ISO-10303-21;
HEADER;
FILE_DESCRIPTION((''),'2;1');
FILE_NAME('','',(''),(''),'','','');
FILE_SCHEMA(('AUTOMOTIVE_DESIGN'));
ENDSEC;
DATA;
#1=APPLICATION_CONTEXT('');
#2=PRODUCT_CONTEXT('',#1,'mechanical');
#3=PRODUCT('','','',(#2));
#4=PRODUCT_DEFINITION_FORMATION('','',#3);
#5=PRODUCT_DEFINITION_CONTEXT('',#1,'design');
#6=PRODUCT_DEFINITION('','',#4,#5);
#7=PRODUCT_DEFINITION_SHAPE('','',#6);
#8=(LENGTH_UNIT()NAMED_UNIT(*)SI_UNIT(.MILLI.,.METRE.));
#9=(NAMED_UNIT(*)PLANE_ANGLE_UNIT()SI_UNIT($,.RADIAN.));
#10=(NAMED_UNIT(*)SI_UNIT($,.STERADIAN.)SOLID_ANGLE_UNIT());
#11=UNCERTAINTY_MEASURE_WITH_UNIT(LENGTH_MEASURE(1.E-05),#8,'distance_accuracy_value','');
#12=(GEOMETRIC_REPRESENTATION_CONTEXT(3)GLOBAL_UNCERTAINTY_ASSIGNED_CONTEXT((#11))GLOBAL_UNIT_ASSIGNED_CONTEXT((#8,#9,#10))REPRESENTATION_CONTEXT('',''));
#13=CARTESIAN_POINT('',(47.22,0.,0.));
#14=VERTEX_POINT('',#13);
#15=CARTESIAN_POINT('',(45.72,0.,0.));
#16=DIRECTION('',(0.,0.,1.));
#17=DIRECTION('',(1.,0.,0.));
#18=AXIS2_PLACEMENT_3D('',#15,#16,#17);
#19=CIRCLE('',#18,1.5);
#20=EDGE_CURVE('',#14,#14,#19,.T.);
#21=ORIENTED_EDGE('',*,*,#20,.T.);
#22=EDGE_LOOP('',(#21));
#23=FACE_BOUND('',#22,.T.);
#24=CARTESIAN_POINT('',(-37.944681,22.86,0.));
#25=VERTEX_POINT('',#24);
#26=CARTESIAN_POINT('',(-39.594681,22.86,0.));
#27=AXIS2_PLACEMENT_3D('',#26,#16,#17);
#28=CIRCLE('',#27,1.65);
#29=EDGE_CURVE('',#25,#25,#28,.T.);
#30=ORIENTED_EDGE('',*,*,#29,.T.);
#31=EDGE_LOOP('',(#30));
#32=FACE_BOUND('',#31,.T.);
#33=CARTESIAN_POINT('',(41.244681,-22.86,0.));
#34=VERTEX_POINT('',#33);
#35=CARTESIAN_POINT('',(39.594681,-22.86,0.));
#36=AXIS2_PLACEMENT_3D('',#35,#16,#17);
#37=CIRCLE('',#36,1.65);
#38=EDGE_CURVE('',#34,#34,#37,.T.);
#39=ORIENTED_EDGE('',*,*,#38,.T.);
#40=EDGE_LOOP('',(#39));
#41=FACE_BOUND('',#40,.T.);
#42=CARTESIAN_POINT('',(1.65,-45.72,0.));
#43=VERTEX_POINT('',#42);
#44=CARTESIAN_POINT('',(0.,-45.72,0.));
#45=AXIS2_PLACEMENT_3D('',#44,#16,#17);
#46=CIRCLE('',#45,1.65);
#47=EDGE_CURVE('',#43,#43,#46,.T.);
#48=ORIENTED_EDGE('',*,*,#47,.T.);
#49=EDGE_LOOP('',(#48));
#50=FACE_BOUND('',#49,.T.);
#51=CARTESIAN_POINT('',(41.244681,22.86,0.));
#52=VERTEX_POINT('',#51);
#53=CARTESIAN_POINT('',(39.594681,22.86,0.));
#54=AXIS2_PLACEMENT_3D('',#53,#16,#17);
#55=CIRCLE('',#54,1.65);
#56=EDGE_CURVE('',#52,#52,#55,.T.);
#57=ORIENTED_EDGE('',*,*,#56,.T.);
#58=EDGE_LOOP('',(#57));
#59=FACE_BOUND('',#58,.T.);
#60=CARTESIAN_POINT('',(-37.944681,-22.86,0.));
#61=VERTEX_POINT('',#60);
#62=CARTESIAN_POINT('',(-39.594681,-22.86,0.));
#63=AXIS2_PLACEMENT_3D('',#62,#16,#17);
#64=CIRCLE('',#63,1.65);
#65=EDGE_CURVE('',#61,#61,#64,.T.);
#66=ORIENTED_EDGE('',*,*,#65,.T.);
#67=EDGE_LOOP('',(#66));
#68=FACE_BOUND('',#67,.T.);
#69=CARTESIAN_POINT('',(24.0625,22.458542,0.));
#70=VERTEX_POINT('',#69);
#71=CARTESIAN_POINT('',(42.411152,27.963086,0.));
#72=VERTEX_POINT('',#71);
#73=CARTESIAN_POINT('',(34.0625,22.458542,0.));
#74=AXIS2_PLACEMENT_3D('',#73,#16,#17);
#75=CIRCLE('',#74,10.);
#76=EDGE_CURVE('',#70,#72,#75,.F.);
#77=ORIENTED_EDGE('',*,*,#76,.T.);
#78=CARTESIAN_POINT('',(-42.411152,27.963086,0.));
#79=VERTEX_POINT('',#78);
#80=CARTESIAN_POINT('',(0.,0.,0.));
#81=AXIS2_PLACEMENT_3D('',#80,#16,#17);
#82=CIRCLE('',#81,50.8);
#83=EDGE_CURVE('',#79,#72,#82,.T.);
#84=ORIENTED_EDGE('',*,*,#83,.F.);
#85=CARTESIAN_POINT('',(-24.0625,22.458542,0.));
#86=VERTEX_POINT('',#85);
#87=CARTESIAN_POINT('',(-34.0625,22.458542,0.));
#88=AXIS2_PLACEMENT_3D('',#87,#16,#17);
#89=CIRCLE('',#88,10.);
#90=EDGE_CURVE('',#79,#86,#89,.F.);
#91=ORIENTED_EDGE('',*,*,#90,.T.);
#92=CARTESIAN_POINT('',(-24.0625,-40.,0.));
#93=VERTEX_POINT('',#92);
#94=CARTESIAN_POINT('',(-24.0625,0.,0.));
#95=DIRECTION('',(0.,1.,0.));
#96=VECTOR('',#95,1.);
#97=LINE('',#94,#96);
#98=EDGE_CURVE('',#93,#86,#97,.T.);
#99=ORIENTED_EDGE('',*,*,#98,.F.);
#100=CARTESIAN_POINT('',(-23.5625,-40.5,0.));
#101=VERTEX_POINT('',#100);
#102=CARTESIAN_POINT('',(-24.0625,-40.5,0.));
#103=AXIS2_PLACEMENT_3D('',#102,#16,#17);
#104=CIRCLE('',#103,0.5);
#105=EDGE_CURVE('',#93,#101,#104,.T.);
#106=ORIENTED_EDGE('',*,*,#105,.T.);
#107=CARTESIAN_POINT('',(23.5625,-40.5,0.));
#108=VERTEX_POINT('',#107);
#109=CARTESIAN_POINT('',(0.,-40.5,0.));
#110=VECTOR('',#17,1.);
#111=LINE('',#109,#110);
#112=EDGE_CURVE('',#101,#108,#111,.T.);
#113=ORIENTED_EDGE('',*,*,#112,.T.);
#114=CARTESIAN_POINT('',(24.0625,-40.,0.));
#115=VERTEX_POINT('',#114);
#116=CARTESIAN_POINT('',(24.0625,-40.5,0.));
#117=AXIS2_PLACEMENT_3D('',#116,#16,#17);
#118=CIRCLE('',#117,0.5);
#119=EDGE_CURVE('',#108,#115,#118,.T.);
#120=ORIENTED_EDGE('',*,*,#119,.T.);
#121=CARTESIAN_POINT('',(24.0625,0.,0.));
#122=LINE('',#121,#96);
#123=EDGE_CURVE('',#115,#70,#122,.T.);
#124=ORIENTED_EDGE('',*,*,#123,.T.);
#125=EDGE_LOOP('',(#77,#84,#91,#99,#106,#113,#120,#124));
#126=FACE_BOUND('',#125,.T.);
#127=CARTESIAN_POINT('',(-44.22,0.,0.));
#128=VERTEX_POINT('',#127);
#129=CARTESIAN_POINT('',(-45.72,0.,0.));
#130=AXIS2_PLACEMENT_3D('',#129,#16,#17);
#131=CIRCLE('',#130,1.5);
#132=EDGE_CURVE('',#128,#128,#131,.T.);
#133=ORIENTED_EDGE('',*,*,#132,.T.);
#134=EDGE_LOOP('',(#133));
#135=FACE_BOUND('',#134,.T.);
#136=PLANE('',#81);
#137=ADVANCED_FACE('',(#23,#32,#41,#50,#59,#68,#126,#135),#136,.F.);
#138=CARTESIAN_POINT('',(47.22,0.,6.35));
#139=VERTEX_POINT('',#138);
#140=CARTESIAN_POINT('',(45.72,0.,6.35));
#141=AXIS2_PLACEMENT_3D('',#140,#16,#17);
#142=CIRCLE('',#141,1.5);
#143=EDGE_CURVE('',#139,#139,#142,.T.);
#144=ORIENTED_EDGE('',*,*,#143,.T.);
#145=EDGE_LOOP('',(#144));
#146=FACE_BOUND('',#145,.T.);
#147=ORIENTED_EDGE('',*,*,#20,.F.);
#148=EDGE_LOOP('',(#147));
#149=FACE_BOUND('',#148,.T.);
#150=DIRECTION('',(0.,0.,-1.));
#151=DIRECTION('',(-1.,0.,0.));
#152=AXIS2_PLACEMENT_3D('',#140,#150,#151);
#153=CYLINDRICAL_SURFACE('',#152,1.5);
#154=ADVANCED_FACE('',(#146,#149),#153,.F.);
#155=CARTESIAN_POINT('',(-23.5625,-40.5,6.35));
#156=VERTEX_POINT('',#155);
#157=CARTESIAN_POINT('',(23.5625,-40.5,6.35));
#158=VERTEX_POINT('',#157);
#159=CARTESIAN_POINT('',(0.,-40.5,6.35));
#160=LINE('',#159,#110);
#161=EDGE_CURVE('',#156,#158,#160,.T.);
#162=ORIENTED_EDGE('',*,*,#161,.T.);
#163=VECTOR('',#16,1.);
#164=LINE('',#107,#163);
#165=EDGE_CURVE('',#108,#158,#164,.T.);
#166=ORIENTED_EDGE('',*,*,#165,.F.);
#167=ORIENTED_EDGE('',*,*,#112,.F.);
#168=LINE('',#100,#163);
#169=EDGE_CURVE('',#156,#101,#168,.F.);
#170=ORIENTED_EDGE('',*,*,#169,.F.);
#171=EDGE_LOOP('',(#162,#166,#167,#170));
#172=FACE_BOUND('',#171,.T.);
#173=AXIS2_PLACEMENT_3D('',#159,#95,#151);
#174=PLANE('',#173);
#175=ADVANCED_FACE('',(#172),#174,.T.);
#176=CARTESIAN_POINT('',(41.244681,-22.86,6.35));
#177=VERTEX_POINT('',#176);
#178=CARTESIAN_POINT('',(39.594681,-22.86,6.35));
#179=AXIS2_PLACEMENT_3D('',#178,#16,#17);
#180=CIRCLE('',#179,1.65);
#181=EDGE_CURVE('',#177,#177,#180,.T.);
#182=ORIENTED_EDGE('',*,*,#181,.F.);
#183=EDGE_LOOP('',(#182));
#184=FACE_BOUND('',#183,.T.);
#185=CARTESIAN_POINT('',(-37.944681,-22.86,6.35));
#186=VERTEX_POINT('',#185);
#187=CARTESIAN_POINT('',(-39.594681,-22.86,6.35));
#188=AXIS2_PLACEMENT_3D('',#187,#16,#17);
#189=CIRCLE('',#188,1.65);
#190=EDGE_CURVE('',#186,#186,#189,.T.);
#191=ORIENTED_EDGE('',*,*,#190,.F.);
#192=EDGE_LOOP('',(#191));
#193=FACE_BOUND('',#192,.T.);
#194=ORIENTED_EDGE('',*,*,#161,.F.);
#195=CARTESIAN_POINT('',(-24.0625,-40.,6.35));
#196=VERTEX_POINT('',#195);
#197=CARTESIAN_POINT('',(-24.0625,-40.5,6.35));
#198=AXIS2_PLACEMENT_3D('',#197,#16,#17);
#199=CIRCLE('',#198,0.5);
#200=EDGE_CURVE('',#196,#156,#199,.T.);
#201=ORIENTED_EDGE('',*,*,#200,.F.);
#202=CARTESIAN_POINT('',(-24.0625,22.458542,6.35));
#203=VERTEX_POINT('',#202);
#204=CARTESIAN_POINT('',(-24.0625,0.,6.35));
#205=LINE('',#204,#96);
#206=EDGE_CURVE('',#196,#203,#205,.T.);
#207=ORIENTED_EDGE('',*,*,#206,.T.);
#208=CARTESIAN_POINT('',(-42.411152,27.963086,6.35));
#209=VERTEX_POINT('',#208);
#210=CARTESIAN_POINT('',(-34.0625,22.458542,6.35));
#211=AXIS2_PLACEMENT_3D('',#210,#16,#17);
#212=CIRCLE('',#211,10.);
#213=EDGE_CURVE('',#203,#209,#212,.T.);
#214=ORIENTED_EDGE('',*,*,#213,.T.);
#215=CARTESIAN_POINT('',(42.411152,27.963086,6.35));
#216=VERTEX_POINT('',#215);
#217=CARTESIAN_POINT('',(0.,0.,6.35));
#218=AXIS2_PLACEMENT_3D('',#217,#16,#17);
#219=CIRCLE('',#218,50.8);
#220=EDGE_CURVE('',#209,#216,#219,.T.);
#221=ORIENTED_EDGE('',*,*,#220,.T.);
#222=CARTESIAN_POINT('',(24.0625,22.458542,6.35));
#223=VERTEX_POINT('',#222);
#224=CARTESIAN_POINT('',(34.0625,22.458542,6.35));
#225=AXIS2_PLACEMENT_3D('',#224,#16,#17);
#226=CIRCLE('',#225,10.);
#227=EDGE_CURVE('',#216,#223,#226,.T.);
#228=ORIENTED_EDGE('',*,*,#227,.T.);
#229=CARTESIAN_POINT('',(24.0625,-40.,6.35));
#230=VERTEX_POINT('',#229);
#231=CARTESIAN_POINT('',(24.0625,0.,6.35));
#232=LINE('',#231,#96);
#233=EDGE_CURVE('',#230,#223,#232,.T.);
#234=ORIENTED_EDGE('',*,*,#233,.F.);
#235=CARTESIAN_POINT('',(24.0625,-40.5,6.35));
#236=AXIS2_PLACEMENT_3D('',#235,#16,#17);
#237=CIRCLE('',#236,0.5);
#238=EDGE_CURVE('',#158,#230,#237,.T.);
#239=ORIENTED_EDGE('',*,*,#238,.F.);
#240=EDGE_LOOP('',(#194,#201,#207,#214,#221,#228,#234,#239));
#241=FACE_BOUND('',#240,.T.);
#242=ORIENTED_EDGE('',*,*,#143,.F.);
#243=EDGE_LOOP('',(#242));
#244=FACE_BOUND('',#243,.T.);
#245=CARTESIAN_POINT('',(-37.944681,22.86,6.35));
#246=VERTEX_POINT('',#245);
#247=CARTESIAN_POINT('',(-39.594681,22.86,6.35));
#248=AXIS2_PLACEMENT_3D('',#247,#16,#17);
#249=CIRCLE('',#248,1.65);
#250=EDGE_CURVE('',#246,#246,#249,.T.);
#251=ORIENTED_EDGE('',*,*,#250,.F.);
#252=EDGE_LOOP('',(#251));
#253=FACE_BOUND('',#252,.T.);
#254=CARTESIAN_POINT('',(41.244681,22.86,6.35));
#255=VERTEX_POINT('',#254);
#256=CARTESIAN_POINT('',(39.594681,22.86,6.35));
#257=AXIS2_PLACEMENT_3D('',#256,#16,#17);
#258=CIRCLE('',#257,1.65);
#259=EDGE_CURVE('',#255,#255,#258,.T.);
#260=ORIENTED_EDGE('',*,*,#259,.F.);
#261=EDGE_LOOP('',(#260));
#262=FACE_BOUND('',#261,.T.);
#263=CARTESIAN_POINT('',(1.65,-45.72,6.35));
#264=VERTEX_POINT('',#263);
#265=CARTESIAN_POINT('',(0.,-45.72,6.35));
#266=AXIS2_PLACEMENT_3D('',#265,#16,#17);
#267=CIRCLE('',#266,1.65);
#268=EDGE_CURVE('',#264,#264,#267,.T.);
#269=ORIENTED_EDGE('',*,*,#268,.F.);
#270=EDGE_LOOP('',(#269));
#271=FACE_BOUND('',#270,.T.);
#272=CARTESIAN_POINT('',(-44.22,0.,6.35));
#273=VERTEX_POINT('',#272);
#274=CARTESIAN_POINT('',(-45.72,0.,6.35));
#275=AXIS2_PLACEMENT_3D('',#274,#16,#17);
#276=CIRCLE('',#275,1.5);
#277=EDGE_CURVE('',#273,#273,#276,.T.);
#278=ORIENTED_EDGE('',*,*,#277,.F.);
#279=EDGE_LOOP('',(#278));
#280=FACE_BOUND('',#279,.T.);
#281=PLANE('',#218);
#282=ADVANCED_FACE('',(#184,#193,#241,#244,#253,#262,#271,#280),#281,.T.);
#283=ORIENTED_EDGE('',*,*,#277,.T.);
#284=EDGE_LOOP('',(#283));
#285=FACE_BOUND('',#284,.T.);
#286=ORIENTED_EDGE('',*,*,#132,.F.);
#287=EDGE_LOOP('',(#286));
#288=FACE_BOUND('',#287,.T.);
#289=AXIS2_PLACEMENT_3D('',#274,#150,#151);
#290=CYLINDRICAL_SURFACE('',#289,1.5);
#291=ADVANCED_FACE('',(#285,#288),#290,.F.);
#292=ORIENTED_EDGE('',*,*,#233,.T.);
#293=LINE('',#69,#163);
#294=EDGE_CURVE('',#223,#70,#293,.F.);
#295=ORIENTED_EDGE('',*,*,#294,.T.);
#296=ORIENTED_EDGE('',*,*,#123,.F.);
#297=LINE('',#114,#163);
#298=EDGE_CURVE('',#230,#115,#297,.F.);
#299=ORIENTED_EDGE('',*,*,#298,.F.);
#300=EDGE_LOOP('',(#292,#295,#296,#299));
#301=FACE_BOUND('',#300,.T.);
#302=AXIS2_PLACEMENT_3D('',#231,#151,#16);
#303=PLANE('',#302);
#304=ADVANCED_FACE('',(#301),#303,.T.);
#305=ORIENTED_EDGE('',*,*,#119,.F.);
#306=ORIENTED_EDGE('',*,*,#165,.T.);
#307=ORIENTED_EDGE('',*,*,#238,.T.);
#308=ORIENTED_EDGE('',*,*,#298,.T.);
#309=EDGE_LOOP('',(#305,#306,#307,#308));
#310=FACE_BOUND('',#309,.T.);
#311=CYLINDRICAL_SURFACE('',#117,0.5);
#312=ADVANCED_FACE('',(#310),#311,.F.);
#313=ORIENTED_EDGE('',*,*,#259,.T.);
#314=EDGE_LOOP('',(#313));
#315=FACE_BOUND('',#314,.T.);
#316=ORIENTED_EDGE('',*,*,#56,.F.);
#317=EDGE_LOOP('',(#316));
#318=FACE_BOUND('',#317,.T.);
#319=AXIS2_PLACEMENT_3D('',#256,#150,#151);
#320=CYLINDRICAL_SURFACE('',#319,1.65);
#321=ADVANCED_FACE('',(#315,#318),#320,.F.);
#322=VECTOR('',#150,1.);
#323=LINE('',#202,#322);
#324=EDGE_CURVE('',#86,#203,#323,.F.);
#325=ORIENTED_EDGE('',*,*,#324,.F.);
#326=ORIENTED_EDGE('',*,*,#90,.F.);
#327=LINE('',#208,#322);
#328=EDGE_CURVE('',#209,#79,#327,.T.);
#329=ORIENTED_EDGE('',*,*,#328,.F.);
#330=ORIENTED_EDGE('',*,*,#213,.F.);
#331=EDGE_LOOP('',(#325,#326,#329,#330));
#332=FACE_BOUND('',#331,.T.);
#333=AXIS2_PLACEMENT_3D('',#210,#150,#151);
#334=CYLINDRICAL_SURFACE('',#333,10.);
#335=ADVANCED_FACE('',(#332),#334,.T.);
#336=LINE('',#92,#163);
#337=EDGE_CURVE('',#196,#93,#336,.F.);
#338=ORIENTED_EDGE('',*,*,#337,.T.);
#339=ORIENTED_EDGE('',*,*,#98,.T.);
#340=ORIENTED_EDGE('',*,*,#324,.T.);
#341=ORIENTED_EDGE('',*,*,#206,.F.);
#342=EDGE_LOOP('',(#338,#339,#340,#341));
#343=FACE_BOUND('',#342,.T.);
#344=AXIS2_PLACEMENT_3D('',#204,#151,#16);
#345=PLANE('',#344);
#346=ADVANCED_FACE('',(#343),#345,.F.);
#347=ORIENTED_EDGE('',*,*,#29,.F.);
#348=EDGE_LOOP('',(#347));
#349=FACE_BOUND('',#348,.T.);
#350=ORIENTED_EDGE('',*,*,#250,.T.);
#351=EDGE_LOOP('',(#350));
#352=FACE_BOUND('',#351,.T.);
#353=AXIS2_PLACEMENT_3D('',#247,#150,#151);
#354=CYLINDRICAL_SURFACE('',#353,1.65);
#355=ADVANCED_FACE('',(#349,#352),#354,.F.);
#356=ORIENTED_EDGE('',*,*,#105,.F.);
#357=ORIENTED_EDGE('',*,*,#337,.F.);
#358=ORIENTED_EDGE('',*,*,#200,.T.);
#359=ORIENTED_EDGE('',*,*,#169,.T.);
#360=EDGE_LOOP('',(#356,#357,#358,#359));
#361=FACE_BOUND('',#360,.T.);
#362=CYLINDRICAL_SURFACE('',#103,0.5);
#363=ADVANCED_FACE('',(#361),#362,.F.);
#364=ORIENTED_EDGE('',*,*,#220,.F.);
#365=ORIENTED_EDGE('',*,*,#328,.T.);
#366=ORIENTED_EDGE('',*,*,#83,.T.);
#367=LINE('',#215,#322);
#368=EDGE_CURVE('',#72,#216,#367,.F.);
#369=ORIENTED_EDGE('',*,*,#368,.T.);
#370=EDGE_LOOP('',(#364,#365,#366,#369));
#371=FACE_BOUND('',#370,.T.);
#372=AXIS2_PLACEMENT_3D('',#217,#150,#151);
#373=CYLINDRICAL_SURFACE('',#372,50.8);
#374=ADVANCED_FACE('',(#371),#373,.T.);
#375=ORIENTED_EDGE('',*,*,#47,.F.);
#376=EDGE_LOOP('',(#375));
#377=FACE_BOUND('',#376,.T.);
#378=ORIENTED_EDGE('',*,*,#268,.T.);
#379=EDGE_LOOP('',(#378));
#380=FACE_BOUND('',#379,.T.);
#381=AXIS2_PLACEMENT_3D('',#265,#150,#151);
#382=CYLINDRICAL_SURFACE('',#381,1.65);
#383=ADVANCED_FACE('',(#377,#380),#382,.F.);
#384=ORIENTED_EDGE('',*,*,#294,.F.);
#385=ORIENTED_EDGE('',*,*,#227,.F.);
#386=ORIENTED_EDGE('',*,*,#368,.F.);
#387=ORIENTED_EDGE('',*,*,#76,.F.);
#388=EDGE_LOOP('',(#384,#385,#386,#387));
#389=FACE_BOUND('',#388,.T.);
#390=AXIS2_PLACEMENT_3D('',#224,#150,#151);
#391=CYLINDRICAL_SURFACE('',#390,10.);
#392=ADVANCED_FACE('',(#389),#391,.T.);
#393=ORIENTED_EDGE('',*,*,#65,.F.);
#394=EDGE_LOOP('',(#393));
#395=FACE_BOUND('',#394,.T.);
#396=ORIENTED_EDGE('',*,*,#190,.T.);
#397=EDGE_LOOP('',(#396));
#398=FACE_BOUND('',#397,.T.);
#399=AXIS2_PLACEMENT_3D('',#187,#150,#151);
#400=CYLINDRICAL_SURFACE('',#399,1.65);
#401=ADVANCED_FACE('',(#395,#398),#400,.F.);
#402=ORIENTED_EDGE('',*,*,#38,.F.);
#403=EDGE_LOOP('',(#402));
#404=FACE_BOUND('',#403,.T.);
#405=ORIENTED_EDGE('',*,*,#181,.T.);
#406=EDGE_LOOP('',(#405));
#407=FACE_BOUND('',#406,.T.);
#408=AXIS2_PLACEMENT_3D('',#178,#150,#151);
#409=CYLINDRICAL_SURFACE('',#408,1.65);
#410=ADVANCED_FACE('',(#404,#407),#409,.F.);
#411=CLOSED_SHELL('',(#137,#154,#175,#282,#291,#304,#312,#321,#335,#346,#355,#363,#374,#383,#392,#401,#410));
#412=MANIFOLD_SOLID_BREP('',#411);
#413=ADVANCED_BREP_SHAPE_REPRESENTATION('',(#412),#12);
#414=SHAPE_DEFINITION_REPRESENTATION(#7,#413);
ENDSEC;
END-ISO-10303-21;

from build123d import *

# Parameters (mm, degrees)
SKETCH1_R           = 1.5
SKETCH1_R_2         = 1.65
BOSS_EXTRUDE1_DEPTH = 6.35
FILLET2_R           = 10
SKETCH2_R           = 0.5
CUT_EXTRUDE1_DEPTH  = 73.122135992


with BuildPart() as part:
    # Sketch1 → Boss-Extrude1 (new body)
    with BuildSketch(Plane.XY):
        with BuildLine():
            Line((24.062500008, -40.5), (24.062500008, 40.5))
            Line((24.062500008, 40.5), (24.062500008, 44.73964789))
            ThreePointArc((24.062500008, 44.73964789), (0, -50.8), (-24.062500008, 44.73964789))
            Line((-24.062500008, 44.73964789), (-24.062500008, 40.5))
            Line((-24.062500008, 40.5), (-24.062500008, -40.5))
            Line((-24.062500008, -40.5), (24.062500008, -40.5))
        make_face()
        with Locations((-45.72, 0)):
            Circle(SKETCH1_R, mode=Mode.SUBTRACT)
        with Locations((45.72, 0)):
            Circle(SKETCH1_R, mode=Mode.SUBTRACT)
        with Locations((-39.594681461, 22.86)):
            Circle(SKETCH1_R_2, mode=Mode.SUBTRACT)
        with Locations((39.594681461, 22.86)):
            Circle(SKETCH1_R_2, mode=Mode.SUBTRACT)
        with Locations((39.594681461, -22.86)):
            Circle(SKETCH1_R_2, mode=Mode.SUBTRACT)
        with Locations((0, -45.72)):
            Circle(SKETCH1_R_2, mode=Mode.SUBTRACT)
        with Locations((-39.594681461, -22.86)):
            Circle(SKETCH1_R_2, mode=Mode.SUBTRACT)
    extrude(amount=BOSS_EXTRUDE1_DEPTH)

    # Fillet2
    fillet2_edges = [part.edges().sort_by_distance(p)[0] for p in [
        (24.062500008, 44.73964789, 3.175),
        (-24.062500008, 44.73964789, 3.175),
    ]]
    fillet(fillet2_edges, radius=FILLET2_R)

    # Sketch2 → Cut-Extrude1 (cut, through all)
    with BuildSketch(Plane.XY.offset(6.35)):
        with Locations((-24.062500008, -40.5)):
            Circle(SKETCH2_R)
        with Locations((24.062500008, -40.5)):
            Circle(SKETCH2_R)
    extrude(amount=-CUT_EXTRUDE1_DEPTH, mode=Mode.SUBTRACT)


solid = part.part
